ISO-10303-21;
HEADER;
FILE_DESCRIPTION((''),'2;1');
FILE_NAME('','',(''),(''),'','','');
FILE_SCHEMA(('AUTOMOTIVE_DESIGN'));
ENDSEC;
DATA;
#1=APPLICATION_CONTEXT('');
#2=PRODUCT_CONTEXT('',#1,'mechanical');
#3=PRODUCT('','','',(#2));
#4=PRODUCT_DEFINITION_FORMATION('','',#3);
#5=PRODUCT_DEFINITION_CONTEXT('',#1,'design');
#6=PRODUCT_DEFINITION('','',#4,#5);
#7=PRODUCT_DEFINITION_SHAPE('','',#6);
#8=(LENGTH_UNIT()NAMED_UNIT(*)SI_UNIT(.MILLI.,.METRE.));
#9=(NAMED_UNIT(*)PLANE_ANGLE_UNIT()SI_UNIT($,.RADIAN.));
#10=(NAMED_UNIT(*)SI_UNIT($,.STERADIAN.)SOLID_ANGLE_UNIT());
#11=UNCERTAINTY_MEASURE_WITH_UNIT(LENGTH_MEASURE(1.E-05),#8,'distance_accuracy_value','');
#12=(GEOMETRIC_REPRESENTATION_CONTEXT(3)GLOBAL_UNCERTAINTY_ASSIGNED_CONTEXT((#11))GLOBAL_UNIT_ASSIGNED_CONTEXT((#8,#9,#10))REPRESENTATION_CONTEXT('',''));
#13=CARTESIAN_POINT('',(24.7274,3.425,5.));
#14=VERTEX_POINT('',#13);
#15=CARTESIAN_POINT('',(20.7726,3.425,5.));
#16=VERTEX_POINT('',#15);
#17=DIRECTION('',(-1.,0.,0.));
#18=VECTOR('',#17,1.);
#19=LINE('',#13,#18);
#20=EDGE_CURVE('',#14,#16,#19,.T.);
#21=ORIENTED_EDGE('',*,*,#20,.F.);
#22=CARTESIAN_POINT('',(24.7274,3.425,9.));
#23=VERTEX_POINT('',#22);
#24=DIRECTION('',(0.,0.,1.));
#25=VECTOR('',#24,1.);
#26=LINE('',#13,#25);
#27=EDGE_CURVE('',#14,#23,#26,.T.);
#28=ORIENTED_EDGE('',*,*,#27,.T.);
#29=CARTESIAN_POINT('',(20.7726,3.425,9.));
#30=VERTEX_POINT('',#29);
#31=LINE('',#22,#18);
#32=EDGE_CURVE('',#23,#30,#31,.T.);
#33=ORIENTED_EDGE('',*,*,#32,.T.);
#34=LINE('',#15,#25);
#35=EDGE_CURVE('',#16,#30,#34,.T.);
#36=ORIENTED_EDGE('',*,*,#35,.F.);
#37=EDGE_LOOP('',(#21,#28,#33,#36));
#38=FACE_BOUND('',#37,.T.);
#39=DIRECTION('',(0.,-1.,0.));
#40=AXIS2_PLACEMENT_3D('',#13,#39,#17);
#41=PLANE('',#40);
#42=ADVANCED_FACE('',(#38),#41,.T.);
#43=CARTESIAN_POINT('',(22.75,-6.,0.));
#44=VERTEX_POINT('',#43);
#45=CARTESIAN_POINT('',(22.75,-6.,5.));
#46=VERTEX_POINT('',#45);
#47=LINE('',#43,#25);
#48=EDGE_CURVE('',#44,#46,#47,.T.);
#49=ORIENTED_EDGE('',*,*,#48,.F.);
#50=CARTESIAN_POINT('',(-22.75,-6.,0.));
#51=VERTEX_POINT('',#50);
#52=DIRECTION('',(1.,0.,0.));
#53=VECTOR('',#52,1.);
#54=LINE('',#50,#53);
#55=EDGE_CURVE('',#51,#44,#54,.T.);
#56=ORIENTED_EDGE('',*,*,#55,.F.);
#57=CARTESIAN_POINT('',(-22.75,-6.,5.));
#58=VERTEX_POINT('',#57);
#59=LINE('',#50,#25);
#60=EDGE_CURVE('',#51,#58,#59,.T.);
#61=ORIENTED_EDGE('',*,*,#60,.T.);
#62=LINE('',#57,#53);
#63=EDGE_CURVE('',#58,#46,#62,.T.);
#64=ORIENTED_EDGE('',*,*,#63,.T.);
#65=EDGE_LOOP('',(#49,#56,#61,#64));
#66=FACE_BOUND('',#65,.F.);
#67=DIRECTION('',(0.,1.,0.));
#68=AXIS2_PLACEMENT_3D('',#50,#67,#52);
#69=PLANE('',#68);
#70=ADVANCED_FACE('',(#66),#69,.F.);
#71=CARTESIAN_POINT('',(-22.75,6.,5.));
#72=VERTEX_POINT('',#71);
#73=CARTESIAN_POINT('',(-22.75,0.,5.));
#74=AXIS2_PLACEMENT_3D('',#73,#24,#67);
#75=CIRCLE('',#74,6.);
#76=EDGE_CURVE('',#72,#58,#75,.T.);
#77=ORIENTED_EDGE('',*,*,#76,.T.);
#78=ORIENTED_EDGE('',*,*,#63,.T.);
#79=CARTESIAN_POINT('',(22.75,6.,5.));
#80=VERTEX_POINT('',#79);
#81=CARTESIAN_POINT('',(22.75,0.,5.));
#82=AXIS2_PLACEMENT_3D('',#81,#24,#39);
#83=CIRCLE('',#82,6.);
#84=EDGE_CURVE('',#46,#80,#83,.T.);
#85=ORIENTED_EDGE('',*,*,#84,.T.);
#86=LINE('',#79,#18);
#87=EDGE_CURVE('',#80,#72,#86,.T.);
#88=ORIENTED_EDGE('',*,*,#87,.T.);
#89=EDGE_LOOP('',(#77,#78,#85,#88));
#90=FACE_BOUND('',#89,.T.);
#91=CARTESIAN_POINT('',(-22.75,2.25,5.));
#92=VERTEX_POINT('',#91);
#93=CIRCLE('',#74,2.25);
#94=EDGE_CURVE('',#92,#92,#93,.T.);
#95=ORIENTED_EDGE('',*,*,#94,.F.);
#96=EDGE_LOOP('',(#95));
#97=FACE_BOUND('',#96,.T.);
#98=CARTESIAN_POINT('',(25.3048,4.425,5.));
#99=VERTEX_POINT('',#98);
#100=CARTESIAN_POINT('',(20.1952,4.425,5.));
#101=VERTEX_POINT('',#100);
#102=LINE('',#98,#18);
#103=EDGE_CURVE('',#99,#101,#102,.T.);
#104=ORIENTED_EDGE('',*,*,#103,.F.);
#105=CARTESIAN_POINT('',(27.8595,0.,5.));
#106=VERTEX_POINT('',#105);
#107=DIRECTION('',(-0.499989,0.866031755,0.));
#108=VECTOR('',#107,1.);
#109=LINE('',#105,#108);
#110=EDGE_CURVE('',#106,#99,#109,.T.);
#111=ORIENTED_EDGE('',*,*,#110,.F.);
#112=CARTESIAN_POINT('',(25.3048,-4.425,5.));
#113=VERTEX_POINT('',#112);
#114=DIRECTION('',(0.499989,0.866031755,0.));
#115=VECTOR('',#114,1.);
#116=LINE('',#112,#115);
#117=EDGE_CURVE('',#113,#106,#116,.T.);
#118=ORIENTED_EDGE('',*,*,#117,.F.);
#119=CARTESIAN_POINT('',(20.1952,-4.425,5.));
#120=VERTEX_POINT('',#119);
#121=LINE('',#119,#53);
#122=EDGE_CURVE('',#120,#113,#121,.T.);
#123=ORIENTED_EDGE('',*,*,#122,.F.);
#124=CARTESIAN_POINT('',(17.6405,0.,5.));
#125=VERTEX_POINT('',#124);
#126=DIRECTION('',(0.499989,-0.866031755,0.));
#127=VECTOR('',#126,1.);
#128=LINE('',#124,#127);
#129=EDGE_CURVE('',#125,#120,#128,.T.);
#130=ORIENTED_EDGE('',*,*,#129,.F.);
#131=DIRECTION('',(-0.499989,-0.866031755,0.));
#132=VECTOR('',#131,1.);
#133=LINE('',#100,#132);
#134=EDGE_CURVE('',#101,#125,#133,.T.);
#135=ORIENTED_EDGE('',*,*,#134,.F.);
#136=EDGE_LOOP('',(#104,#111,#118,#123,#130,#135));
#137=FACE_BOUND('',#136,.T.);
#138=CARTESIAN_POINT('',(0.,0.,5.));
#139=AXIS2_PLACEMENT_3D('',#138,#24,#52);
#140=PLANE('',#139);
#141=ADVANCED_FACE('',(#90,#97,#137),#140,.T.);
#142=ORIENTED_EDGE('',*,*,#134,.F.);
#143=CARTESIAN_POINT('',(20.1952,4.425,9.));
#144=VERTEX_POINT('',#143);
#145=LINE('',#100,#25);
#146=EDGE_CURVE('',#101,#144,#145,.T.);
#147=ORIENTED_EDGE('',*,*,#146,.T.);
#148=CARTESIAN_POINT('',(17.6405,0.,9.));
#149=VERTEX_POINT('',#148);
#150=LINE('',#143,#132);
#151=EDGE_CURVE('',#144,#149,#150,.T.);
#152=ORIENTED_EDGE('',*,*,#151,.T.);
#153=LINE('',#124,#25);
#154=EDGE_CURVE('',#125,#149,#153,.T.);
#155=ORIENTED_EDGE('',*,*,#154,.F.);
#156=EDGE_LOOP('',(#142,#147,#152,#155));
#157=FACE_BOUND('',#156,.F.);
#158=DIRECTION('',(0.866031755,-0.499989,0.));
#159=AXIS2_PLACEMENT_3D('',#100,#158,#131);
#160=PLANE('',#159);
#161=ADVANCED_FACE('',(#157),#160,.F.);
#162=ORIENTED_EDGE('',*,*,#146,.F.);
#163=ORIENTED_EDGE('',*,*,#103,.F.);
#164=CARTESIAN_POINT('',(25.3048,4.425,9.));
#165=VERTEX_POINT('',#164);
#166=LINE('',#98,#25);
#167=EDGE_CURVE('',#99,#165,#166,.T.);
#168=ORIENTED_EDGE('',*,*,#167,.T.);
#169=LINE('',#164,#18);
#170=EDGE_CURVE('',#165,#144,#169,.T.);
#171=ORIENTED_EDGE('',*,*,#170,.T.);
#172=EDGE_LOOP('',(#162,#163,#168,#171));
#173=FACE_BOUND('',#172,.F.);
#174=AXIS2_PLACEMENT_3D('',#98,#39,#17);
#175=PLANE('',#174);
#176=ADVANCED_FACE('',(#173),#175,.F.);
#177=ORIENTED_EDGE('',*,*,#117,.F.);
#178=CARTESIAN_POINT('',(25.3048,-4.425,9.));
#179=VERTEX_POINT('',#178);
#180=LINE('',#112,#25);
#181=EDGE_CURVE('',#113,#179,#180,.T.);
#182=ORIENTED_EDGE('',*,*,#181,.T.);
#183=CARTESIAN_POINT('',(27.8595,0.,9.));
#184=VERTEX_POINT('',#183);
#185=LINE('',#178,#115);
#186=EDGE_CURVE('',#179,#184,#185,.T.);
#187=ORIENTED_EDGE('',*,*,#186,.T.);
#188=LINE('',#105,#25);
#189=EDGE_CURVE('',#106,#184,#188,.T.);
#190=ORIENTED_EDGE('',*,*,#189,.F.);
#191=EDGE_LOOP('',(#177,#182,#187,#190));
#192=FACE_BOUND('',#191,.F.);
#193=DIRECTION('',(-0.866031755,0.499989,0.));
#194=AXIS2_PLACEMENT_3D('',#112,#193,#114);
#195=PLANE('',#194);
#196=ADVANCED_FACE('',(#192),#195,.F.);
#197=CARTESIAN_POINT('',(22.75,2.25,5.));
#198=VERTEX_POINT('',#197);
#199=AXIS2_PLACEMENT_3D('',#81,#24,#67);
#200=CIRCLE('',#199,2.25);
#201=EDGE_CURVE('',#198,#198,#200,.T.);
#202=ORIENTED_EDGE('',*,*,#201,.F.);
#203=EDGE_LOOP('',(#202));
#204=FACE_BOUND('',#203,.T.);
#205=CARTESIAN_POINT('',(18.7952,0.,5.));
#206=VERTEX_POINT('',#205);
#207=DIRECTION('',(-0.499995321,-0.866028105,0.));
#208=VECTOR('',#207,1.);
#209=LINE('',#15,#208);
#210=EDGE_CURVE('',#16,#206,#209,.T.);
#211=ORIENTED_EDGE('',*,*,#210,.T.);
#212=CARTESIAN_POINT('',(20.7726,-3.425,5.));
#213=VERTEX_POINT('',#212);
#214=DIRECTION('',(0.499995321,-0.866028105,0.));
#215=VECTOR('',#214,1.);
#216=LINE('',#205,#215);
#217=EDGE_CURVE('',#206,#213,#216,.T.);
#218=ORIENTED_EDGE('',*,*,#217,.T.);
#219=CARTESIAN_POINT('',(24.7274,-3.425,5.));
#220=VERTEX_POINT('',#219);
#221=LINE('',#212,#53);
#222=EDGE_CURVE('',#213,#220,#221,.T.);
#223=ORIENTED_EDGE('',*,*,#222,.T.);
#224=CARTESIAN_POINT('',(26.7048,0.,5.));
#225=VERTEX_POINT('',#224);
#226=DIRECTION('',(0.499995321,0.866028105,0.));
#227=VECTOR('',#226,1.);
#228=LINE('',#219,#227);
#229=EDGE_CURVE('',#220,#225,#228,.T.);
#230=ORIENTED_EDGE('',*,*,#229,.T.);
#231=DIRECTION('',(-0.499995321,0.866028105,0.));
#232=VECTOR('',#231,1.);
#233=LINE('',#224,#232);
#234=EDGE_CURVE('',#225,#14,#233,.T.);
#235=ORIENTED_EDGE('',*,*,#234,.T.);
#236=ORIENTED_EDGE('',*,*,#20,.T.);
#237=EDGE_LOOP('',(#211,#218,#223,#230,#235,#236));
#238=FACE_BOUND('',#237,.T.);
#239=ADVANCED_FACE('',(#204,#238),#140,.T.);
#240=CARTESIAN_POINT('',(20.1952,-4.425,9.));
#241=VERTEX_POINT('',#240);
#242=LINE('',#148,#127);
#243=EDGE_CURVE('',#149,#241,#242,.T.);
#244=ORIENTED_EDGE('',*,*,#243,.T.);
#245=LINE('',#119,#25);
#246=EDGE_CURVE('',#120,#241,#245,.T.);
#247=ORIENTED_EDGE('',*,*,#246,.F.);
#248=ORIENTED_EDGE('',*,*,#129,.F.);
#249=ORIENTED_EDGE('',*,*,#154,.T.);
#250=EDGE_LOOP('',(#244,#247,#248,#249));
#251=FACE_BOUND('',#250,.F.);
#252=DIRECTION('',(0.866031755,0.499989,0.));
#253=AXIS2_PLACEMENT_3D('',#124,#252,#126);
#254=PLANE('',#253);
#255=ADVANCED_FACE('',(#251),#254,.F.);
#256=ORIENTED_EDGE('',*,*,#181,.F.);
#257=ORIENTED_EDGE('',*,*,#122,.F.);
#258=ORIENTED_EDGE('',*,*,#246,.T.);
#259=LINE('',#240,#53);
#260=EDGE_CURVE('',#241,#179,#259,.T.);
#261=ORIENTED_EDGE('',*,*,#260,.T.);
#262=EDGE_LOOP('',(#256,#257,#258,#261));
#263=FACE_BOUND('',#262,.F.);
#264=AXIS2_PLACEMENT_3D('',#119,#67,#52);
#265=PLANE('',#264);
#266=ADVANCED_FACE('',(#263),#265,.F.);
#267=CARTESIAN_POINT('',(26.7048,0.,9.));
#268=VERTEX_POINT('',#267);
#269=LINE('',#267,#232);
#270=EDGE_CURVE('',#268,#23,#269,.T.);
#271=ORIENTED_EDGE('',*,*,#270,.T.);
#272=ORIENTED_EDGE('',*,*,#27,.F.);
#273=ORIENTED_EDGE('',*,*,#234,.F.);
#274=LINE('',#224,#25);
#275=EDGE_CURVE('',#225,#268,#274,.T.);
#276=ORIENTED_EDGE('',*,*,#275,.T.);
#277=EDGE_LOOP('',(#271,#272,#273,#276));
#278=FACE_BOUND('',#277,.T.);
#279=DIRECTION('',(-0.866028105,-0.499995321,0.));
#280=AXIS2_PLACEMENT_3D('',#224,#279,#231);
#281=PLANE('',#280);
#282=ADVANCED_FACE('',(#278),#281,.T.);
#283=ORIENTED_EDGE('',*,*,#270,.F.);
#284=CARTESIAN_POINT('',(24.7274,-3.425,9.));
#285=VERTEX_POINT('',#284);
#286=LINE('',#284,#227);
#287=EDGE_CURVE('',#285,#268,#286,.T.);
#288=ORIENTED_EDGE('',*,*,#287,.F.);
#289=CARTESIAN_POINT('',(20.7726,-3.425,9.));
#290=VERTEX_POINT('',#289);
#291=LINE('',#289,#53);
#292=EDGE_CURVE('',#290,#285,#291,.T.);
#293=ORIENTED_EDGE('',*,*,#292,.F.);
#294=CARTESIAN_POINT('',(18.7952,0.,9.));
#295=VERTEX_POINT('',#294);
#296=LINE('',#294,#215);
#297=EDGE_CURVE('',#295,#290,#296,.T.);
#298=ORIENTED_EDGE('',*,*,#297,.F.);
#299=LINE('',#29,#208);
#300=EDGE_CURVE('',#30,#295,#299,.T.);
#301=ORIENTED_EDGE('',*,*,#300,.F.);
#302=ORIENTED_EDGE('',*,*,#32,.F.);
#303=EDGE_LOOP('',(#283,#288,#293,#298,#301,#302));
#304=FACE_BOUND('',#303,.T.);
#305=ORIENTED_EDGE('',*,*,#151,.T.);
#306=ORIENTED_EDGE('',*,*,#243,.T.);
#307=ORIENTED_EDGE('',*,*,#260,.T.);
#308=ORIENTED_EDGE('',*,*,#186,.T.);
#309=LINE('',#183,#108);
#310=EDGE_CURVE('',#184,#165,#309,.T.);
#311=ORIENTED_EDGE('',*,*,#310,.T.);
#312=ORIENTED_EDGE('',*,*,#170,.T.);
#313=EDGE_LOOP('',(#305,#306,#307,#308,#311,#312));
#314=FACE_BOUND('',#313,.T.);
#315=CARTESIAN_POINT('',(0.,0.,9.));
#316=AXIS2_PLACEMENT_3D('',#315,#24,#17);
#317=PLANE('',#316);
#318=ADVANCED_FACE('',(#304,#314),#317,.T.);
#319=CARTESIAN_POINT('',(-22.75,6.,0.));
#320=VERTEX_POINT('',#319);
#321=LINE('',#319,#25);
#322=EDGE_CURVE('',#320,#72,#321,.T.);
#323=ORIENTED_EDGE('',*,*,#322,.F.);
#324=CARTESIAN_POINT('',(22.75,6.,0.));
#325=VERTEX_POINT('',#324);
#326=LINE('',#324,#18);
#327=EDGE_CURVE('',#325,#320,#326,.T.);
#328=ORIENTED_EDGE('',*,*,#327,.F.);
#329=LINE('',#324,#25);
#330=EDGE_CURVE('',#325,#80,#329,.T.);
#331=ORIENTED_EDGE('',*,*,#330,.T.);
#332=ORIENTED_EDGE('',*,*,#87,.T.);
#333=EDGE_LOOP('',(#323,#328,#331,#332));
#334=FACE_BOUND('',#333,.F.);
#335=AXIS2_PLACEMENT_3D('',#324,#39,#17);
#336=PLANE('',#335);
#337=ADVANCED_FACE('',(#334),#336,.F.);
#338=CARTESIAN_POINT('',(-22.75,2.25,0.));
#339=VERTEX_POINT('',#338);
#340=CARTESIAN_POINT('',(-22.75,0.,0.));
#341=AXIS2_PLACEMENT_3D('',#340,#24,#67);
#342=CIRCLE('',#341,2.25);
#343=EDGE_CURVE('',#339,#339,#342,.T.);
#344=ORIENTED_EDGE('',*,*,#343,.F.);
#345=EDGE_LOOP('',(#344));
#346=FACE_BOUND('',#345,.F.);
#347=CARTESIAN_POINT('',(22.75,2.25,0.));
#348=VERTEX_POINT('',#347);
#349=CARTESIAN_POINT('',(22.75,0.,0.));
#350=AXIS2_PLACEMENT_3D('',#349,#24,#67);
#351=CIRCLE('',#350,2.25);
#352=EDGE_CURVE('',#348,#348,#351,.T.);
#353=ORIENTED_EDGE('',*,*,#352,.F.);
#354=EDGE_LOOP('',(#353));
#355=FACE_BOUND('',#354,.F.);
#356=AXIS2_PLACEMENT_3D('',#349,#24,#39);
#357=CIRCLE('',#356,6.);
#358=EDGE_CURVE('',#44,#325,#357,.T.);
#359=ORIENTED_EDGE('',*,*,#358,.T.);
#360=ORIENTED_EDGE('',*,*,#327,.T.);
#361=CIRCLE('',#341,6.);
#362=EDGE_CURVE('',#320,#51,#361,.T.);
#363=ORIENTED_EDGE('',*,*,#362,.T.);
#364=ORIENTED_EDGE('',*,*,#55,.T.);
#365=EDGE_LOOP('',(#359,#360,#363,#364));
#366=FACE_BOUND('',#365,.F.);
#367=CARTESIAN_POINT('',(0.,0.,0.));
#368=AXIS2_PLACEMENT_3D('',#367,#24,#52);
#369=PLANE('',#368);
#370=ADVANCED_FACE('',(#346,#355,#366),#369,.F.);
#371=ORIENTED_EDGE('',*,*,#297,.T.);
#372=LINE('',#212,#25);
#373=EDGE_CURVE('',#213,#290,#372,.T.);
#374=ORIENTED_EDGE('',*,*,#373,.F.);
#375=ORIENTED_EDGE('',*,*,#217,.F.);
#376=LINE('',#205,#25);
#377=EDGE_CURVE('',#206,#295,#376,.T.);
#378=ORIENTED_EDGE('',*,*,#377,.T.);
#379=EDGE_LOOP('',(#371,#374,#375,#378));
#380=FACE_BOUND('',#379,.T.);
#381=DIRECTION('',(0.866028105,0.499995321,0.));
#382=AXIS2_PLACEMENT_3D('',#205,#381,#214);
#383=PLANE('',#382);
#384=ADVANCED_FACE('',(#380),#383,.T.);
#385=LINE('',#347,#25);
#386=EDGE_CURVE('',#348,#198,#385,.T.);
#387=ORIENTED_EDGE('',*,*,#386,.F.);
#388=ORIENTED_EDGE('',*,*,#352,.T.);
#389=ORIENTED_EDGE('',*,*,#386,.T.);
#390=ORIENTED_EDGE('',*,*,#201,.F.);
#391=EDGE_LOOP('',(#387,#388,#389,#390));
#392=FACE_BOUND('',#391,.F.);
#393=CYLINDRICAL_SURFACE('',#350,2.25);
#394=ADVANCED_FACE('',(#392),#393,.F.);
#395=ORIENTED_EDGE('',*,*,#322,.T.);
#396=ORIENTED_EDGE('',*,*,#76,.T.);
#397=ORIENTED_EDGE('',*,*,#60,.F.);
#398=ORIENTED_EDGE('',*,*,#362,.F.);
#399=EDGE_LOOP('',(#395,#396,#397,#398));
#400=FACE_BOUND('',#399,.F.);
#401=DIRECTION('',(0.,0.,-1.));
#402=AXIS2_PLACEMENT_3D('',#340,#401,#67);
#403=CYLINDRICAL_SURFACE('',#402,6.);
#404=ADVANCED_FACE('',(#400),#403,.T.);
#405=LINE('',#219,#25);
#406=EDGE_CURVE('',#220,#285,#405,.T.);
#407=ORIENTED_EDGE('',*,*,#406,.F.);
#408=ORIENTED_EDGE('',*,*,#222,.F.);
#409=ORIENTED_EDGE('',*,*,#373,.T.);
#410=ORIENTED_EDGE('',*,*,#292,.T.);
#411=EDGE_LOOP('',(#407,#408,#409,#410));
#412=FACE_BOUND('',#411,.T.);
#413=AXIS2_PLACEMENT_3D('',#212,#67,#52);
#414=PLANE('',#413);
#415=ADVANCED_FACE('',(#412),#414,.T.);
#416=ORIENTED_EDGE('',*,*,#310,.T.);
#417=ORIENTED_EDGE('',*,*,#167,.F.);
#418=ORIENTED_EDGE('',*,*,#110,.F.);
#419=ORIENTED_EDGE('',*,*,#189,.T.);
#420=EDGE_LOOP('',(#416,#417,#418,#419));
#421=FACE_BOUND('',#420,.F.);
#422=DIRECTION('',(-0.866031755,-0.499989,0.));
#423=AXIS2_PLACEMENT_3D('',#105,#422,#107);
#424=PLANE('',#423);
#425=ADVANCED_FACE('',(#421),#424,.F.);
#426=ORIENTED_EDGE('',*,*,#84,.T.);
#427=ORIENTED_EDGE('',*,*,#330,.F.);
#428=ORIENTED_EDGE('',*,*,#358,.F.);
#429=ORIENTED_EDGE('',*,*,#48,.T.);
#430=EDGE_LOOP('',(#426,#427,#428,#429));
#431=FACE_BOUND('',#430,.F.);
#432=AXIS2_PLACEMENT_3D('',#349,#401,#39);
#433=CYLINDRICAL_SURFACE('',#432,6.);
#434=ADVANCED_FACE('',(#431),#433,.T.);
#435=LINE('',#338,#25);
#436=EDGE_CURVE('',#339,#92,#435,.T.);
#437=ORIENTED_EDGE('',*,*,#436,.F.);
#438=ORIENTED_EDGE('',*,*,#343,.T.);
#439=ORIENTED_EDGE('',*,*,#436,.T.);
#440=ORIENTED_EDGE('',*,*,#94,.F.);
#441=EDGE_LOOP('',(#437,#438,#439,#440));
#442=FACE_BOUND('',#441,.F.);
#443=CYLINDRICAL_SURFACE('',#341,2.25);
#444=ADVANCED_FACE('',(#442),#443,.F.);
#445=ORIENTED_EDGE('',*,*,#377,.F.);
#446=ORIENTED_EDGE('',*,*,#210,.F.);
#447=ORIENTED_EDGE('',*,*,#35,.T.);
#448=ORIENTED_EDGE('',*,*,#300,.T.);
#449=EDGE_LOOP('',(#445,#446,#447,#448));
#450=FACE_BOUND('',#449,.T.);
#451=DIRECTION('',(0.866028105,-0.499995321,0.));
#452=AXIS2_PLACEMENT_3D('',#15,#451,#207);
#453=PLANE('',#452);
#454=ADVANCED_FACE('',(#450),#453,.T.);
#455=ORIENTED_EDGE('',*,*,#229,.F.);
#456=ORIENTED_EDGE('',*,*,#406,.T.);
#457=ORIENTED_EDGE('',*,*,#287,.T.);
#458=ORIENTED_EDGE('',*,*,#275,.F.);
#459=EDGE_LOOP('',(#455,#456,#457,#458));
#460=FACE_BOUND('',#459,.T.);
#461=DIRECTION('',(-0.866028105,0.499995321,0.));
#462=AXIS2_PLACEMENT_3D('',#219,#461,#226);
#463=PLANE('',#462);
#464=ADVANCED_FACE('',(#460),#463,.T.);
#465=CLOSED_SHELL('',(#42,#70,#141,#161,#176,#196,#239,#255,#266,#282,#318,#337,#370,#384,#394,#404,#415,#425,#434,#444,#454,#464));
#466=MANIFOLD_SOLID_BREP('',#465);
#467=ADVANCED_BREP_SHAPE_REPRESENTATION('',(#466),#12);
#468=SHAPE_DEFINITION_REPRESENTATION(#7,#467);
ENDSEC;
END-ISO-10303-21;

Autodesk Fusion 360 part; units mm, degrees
sketch "Sketch1" plane through (0, 0, 0) normal (0, 0, 1) x (1, 0, 0)
  line L0 (-22.75, -6) -> (22.75, -6)
  arc A0 (22.75, -6) -> (22.75, 6) centre (22.75, 0) ccw
  line L1 (22.75, 6) -> (-22.75, 6)
  arc A1 (-22.75, 6) -> (-22.75, -6) centre (-22.75, 0) ccw
  line L2 (-22.75, 0) -> (22.75, 0) construction
  dimension "d1" = 45.5
  dimension "d2" = 12
extrude "Extrude1" add sketch "Sketch1" along normal blind 5
hole "Hole1" at (22.75, 0, 0) at (-22.75, 0, 0) direction (0, 0, 1) diameter 4.5 depth 8 tip angle 118
sketch "Sketch4" plane through (0, 0, 5) normal (0, 0, 1) x (-1, 0, 0)
  circle A0 centre (-22.75, 0) radius 2.25
  circle A1 centre (22.75, 0) radius 2.25
  arc A2 (22.75, -6) -> (22.75, 6) centre (22.75, 0) ccw
  line L0 (22.75, 6) -> (-22.75, 6)
  arc A3 (-22.75, 6) -> (-22.75, -6) centre (-22.75, 0) ccw
  line L1 (-22.75, -6) -> (22.75, -6)
  line L2 (-26.7048, 0) -> (-24.7274, -3.425)
  line L3 (-24.7274, -3.425) -> (-20.7726, -3.425)
  line L4 (-20.7726, -3.425) -> (-18.7952, 0)
  line L5 (-18.7952, 0) -> (-20.7726, 3.425)
  line L6 (-20.7726, 3.425) -> (-24.7274, 3.425)
  line L7 (-24.7274, 3.425) -> (-26.7048, 0)
  line L8 (-20.1952, 4.425) -> (-25.3048, 4.425)
  line L9 (-25.3048, 4.425) -> (-27.8595, 0)
  line L10 (-27.8595, 0) -> (-25.3048, -4.425)
  line L11 (-25.3048, -4.425) -> (-20.1952, -4.425)
  line L12 (-20.1952, -4.425) -> (-17.6405, 0)
  line L13 (-17.6405, 0) -> (-20.1952, 4.425)
  point P0 (-22.75, 0)
  dimension "d8" = 6.85
  dimension "d9" = 1
extrude "Extrude2" add sketch "Sketch4" along normal blind 4 contours L8 L9 L10 L11 L12 L13
